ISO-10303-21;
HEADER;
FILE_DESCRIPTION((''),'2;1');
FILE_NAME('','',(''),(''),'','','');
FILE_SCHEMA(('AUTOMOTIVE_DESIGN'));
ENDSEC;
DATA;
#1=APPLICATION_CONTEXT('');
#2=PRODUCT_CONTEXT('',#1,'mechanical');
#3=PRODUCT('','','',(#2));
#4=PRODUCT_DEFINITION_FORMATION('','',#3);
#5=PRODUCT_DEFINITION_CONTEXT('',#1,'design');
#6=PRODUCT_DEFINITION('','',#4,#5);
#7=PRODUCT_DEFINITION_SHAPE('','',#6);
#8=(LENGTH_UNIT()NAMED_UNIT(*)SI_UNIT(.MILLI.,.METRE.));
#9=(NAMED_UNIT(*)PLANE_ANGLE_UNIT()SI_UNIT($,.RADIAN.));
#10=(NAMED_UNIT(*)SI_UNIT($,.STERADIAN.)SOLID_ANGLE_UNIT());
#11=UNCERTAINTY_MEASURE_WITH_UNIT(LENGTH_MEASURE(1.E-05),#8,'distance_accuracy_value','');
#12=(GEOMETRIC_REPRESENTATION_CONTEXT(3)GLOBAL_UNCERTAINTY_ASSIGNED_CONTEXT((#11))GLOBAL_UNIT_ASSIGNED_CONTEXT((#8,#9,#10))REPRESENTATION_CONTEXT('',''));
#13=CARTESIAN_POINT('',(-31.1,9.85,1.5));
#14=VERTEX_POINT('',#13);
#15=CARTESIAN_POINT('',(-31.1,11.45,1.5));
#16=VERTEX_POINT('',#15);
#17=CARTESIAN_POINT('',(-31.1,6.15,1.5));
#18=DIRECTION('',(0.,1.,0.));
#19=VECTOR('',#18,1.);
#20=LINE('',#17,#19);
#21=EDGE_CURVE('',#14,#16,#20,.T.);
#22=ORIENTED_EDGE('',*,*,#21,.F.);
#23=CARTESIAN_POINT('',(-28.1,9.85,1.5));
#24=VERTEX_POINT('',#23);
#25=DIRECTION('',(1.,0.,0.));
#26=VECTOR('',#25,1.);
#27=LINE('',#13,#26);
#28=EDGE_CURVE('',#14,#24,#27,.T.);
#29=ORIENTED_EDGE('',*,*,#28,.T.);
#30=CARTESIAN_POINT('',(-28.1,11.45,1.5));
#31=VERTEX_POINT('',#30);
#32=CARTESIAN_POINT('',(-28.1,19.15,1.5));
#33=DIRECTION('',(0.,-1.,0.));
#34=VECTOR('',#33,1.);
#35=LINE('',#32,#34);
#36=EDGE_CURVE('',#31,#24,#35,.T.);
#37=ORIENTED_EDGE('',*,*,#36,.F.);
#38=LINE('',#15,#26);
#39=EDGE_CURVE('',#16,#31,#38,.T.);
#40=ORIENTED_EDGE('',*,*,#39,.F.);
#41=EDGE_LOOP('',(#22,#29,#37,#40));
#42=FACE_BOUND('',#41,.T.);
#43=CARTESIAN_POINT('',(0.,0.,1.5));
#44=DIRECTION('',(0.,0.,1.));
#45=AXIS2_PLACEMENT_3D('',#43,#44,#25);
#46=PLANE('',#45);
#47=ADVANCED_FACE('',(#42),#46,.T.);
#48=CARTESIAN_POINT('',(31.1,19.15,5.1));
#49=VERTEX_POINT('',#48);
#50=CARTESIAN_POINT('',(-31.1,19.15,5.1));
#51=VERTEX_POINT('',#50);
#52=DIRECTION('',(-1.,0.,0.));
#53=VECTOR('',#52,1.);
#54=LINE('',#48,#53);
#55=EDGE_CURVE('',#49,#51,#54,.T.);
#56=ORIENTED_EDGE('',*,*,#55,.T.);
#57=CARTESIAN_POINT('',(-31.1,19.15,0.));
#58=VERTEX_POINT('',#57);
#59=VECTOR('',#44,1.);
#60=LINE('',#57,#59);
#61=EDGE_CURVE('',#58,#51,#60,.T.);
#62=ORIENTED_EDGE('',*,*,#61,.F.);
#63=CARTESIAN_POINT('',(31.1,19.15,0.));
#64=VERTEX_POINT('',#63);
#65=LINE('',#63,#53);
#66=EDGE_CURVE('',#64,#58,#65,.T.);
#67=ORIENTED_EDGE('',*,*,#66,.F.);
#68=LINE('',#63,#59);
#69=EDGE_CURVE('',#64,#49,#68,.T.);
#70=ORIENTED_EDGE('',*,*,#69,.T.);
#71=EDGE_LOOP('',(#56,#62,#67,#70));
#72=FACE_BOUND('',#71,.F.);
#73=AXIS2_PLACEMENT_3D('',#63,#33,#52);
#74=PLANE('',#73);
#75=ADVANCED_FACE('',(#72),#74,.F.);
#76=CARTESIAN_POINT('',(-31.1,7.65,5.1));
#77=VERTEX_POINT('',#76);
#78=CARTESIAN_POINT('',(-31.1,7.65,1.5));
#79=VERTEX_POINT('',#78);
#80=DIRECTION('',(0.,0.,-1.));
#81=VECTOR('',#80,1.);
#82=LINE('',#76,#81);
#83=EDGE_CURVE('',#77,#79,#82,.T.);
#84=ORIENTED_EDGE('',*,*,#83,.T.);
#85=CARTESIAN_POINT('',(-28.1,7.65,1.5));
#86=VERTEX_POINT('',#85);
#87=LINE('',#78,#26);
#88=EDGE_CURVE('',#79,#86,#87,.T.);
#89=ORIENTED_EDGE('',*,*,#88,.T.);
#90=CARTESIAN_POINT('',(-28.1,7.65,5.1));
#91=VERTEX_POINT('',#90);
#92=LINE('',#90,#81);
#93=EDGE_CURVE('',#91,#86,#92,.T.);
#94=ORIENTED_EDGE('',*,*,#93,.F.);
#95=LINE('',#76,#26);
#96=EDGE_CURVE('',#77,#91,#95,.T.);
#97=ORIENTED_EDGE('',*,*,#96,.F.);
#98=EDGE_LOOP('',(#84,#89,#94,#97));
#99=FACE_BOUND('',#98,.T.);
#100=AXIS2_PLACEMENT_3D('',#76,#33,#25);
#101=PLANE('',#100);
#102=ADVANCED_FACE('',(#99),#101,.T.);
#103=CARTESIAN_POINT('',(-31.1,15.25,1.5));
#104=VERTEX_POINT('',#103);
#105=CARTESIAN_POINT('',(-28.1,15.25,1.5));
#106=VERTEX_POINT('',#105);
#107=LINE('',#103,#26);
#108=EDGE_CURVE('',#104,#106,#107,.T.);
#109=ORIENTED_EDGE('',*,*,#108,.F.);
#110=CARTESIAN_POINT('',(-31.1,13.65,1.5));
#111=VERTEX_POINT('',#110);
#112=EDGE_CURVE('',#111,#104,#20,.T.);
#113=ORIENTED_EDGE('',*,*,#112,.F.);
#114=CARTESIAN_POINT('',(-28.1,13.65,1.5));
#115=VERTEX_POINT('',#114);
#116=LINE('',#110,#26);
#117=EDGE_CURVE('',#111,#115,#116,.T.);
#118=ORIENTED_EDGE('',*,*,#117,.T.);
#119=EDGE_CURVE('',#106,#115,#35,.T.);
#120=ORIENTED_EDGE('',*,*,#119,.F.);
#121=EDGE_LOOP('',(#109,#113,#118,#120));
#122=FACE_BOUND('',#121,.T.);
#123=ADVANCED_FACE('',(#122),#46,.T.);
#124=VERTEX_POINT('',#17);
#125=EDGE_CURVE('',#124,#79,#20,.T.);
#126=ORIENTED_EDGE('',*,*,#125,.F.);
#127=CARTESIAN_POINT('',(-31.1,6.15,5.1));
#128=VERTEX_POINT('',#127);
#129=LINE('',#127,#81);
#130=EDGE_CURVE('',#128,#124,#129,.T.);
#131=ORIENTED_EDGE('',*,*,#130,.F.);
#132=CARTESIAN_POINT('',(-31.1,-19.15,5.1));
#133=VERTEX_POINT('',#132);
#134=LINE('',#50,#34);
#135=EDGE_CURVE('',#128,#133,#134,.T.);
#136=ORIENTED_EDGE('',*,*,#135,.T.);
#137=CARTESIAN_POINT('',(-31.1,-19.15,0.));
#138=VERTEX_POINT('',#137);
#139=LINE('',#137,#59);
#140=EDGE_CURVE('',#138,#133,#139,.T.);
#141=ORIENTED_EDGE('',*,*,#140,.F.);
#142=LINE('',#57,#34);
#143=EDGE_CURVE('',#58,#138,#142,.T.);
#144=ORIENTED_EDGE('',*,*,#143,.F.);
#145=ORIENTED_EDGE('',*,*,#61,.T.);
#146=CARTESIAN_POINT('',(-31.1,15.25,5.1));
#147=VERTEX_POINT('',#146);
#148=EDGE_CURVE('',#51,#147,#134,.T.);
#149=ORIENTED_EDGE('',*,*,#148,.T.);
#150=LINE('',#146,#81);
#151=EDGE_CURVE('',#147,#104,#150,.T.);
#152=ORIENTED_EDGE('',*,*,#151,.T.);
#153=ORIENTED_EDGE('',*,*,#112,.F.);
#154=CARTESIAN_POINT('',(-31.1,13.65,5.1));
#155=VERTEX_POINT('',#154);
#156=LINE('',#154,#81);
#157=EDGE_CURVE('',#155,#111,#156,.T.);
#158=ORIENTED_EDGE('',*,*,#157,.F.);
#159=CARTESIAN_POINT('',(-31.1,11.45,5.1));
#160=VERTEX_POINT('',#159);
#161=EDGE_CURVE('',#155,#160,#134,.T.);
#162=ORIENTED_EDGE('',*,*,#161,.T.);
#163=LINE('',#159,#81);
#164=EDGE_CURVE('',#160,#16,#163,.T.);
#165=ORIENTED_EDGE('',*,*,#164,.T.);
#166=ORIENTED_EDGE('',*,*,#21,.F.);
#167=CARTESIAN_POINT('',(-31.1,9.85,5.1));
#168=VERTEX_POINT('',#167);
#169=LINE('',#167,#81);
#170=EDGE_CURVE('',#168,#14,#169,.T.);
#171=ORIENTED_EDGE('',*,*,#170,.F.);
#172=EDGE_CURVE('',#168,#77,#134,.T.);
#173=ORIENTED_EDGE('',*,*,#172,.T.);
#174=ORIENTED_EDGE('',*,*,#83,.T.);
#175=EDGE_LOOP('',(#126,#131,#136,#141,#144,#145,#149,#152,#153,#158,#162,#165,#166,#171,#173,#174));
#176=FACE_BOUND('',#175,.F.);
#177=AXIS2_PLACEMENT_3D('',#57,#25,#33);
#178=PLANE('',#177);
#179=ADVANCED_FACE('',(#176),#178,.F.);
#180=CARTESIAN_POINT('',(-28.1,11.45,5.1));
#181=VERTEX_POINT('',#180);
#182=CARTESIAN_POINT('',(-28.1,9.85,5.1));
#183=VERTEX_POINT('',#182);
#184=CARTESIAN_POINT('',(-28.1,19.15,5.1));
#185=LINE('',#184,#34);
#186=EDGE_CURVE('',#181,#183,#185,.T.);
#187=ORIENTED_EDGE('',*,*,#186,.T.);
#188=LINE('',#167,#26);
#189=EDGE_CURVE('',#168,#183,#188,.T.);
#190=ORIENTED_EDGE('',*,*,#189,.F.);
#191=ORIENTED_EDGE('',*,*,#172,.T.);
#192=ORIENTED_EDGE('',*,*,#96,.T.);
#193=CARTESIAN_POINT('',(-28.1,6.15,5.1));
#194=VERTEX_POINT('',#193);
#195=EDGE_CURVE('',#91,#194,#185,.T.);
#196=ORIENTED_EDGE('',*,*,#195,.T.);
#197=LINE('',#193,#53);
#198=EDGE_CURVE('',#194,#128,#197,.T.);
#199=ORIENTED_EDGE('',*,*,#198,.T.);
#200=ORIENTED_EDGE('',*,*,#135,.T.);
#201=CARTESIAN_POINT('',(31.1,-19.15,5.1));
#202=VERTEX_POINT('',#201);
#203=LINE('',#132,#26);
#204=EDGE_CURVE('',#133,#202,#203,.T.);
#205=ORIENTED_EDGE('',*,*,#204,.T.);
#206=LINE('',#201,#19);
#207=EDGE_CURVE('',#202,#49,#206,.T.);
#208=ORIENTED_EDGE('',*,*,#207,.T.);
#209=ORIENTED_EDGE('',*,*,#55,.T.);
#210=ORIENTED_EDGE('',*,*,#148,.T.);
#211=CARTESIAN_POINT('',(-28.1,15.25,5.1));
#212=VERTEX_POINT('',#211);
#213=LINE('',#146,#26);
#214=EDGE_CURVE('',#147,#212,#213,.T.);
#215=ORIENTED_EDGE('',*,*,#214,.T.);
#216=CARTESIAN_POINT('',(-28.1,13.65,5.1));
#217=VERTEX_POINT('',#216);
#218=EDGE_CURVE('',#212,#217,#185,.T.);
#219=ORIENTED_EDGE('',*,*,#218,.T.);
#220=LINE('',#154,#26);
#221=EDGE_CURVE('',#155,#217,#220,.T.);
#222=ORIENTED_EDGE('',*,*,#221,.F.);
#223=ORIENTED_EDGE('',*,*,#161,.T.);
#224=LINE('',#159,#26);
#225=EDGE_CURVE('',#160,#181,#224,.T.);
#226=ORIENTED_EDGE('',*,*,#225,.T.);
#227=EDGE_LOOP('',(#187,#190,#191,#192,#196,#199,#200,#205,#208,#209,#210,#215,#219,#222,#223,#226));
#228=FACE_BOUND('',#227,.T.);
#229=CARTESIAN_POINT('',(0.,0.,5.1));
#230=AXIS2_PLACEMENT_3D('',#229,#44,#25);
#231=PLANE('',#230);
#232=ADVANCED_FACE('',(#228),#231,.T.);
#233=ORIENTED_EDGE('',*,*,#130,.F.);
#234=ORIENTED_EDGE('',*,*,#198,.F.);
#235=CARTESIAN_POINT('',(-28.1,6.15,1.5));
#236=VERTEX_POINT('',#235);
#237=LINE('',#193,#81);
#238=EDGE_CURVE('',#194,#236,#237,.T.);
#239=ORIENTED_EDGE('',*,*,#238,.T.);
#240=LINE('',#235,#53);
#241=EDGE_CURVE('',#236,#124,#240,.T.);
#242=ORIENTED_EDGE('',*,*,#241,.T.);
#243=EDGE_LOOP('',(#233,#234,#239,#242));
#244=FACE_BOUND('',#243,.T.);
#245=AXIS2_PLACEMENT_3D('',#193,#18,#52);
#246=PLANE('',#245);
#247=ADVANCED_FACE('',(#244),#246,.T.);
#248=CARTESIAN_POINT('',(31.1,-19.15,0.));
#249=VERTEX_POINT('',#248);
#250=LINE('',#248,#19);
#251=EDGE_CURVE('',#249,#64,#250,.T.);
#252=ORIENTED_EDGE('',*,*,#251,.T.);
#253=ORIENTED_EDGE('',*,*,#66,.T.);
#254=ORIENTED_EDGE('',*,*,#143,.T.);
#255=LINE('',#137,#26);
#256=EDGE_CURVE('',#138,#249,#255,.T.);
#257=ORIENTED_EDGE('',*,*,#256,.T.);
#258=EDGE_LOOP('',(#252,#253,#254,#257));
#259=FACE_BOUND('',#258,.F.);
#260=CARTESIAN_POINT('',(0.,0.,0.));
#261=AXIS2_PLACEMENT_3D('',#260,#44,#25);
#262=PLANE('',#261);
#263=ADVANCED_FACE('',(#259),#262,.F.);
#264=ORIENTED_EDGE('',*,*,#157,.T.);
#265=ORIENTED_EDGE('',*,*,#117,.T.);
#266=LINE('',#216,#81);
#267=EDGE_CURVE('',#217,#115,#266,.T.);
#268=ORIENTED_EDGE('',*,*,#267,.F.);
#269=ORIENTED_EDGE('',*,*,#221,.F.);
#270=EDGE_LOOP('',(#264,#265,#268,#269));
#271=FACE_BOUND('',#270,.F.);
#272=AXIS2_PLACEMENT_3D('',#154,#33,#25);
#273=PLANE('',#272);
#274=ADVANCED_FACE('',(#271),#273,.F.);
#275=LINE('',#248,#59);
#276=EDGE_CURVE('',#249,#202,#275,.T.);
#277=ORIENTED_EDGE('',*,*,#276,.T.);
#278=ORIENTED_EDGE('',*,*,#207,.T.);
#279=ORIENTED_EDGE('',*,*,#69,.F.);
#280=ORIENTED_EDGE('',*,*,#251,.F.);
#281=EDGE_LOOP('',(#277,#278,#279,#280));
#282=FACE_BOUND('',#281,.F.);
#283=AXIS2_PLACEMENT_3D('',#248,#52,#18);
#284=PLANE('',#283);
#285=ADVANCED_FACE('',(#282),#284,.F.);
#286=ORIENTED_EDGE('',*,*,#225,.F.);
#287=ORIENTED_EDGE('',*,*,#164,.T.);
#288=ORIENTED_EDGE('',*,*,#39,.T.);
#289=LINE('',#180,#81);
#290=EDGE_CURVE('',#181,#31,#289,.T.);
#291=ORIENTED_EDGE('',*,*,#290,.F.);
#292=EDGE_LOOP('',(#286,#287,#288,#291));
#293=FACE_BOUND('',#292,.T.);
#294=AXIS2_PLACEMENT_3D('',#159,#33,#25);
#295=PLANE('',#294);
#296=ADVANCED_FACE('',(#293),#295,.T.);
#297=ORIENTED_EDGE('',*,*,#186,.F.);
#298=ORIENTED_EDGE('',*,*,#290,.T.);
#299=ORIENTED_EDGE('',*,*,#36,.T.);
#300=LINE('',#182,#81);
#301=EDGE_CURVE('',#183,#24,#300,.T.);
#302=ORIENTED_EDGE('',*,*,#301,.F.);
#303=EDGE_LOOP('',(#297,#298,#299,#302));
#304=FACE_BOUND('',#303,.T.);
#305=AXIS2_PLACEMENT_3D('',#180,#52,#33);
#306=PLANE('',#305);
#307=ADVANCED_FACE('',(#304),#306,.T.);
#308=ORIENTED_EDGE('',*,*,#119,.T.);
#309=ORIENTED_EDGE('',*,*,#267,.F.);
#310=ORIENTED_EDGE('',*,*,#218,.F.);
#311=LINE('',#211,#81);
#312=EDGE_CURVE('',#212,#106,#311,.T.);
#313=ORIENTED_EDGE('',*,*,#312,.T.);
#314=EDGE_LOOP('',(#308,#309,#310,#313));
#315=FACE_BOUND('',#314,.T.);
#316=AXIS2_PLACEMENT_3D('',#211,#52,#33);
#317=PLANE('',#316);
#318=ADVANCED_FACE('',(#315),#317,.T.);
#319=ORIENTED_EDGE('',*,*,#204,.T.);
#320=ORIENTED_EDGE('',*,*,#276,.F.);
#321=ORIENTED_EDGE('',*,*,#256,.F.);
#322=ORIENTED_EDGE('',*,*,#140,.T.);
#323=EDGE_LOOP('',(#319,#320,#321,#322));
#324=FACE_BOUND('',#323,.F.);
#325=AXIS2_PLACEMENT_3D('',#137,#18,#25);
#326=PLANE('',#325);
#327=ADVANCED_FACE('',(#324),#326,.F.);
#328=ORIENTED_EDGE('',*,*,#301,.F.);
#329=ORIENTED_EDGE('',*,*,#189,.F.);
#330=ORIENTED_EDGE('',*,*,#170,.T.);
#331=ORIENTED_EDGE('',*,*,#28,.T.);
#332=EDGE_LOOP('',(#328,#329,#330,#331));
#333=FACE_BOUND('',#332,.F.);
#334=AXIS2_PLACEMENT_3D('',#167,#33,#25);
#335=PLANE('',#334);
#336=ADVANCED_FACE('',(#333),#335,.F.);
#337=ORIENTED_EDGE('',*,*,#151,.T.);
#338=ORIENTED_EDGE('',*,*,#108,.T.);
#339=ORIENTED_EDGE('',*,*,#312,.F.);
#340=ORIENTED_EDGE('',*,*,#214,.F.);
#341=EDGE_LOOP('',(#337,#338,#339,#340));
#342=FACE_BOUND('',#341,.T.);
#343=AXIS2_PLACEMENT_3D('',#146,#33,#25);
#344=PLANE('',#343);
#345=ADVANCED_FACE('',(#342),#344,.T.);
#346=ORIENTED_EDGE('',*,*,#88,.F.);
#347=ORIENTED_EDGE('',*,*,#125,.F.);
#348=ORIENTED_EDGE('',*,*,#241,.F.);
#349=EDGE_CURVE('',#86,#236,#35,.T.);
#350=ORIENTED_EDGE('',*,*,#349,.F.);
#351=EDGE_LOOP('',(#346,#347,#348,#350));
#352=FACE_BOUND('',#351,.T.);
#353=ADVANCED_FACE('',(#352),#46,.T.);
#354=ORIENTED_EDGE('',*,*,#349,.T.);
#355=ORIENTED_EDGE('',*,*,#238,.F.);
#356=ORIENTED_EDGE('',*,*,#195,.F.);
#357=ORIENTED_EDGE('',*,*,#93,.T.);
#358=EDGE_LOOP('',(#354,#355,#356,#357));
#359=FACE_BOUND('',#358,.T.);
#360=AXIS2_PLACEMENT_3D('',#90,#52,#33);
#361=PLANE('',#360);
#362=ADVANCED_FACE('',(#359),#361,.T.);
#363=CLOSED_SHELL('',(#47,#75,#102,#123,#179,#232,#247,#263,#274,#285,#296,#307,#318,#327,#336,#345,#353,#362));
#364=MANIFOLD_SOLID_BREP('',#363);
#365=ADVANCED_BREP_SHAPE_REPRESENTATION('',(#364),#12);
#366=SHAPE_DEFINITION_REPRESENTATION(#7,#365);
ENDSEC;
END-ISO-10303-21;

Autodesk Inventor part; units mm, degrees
ref_plane "YZ Plane" through (0, 0, 0) normal (1, 0, 0) x (0, 1, 0)
ref_plane "XZ Plane" through (0, 0, 0) normal (0, 1, 0) x (-1, 0, 0)
ref_plane "XY Plane" through (0, 0, 0) normal (0, 0, 1) x (1, 0, 0)
sketch "Sketch1" plane through (0, 0, 0) normal (0, 0, 1) x (1, 0, 0)
  line L0 (-31.1, -19.15) -> (31.1, -19.15)
  line L1 (31.1, -19.15) -> (31.1, 19.15)
  line L2 (31.1, 19.15) -> (-31.1, 19.15)
  line L3 (-31.1, 19.15) -> (-31.1, -19.15)
  line L4 (-31.1, -19.15) -> (31.1, 19.15) construction
  line L5 (31.1, -19.15) -> (-31.1, 19.15) construction
  point P0 (0, 0)
  dimension "d0" = 38.3
  dimension "d1" = 62.2
extrude "Extrusion1" add sketch "Sketch1" along normal blind 5.1
sketch "Sketch2" plane through (0, 0, 5.1) normal (0, 0, 1) x (1, 0, 0)
  line L0 (-31.1, 19.15) -> (-28.1, 19.15)
  line L1 (-28.1, 19.15) -> (-28.1, 6.15)
  line L2 (-28.1, 6.15) -> (-31.1, 6.15)
  line L3 (-31.1, 6.15) -> (-31.1, 19.15)
  line L4 (-31.1, 19.15) -> (-31.1, 15.25)
  line L5 (-31.1, 19.15) -> (-31.1, -19.15) projected
  line L6 (-31.1, 15.25) -> (-28.1, 15.25)
  line L7 (-31.1, 15.25) -> (-31.1, 13.65)
  line L8 (-31.1, 13.65) -> (-28.1, 13.65)
  line L9 (-31.1, 13.65) -> (-31.1, 11.45)
  line L10 (-31.1, 11.45) -> (-28.1, 11.45)
  line L11 (-31.1, 11.45) -> (-31.1, 9.85)
  line L12 (-31.1, 9.85) -> (-28.1, 9.85)
  line L13 (-31.1, 9.85) -> (-31.1, 7.65)
  line L14 (-31.1, 7.65) -> (-28.1, 7.65)
  point P0 (0, 0)
  dimension "d4" = 13
  dimension "d5" = 3
  dimension "d6" = 3.9
  dimension "d7" = 1.6
  dimension "d8" = 2.2
  dimension "d9" = 1.6
  dimension "d10" = 2.2
extrude "Extrusion2" cut sketch "Sketch2" against normal blind 3.6 contours L6 L1 L8 L3 | L10 L1 L12 L3 | L14 L1 L2 L3
properties part number "bateria"
